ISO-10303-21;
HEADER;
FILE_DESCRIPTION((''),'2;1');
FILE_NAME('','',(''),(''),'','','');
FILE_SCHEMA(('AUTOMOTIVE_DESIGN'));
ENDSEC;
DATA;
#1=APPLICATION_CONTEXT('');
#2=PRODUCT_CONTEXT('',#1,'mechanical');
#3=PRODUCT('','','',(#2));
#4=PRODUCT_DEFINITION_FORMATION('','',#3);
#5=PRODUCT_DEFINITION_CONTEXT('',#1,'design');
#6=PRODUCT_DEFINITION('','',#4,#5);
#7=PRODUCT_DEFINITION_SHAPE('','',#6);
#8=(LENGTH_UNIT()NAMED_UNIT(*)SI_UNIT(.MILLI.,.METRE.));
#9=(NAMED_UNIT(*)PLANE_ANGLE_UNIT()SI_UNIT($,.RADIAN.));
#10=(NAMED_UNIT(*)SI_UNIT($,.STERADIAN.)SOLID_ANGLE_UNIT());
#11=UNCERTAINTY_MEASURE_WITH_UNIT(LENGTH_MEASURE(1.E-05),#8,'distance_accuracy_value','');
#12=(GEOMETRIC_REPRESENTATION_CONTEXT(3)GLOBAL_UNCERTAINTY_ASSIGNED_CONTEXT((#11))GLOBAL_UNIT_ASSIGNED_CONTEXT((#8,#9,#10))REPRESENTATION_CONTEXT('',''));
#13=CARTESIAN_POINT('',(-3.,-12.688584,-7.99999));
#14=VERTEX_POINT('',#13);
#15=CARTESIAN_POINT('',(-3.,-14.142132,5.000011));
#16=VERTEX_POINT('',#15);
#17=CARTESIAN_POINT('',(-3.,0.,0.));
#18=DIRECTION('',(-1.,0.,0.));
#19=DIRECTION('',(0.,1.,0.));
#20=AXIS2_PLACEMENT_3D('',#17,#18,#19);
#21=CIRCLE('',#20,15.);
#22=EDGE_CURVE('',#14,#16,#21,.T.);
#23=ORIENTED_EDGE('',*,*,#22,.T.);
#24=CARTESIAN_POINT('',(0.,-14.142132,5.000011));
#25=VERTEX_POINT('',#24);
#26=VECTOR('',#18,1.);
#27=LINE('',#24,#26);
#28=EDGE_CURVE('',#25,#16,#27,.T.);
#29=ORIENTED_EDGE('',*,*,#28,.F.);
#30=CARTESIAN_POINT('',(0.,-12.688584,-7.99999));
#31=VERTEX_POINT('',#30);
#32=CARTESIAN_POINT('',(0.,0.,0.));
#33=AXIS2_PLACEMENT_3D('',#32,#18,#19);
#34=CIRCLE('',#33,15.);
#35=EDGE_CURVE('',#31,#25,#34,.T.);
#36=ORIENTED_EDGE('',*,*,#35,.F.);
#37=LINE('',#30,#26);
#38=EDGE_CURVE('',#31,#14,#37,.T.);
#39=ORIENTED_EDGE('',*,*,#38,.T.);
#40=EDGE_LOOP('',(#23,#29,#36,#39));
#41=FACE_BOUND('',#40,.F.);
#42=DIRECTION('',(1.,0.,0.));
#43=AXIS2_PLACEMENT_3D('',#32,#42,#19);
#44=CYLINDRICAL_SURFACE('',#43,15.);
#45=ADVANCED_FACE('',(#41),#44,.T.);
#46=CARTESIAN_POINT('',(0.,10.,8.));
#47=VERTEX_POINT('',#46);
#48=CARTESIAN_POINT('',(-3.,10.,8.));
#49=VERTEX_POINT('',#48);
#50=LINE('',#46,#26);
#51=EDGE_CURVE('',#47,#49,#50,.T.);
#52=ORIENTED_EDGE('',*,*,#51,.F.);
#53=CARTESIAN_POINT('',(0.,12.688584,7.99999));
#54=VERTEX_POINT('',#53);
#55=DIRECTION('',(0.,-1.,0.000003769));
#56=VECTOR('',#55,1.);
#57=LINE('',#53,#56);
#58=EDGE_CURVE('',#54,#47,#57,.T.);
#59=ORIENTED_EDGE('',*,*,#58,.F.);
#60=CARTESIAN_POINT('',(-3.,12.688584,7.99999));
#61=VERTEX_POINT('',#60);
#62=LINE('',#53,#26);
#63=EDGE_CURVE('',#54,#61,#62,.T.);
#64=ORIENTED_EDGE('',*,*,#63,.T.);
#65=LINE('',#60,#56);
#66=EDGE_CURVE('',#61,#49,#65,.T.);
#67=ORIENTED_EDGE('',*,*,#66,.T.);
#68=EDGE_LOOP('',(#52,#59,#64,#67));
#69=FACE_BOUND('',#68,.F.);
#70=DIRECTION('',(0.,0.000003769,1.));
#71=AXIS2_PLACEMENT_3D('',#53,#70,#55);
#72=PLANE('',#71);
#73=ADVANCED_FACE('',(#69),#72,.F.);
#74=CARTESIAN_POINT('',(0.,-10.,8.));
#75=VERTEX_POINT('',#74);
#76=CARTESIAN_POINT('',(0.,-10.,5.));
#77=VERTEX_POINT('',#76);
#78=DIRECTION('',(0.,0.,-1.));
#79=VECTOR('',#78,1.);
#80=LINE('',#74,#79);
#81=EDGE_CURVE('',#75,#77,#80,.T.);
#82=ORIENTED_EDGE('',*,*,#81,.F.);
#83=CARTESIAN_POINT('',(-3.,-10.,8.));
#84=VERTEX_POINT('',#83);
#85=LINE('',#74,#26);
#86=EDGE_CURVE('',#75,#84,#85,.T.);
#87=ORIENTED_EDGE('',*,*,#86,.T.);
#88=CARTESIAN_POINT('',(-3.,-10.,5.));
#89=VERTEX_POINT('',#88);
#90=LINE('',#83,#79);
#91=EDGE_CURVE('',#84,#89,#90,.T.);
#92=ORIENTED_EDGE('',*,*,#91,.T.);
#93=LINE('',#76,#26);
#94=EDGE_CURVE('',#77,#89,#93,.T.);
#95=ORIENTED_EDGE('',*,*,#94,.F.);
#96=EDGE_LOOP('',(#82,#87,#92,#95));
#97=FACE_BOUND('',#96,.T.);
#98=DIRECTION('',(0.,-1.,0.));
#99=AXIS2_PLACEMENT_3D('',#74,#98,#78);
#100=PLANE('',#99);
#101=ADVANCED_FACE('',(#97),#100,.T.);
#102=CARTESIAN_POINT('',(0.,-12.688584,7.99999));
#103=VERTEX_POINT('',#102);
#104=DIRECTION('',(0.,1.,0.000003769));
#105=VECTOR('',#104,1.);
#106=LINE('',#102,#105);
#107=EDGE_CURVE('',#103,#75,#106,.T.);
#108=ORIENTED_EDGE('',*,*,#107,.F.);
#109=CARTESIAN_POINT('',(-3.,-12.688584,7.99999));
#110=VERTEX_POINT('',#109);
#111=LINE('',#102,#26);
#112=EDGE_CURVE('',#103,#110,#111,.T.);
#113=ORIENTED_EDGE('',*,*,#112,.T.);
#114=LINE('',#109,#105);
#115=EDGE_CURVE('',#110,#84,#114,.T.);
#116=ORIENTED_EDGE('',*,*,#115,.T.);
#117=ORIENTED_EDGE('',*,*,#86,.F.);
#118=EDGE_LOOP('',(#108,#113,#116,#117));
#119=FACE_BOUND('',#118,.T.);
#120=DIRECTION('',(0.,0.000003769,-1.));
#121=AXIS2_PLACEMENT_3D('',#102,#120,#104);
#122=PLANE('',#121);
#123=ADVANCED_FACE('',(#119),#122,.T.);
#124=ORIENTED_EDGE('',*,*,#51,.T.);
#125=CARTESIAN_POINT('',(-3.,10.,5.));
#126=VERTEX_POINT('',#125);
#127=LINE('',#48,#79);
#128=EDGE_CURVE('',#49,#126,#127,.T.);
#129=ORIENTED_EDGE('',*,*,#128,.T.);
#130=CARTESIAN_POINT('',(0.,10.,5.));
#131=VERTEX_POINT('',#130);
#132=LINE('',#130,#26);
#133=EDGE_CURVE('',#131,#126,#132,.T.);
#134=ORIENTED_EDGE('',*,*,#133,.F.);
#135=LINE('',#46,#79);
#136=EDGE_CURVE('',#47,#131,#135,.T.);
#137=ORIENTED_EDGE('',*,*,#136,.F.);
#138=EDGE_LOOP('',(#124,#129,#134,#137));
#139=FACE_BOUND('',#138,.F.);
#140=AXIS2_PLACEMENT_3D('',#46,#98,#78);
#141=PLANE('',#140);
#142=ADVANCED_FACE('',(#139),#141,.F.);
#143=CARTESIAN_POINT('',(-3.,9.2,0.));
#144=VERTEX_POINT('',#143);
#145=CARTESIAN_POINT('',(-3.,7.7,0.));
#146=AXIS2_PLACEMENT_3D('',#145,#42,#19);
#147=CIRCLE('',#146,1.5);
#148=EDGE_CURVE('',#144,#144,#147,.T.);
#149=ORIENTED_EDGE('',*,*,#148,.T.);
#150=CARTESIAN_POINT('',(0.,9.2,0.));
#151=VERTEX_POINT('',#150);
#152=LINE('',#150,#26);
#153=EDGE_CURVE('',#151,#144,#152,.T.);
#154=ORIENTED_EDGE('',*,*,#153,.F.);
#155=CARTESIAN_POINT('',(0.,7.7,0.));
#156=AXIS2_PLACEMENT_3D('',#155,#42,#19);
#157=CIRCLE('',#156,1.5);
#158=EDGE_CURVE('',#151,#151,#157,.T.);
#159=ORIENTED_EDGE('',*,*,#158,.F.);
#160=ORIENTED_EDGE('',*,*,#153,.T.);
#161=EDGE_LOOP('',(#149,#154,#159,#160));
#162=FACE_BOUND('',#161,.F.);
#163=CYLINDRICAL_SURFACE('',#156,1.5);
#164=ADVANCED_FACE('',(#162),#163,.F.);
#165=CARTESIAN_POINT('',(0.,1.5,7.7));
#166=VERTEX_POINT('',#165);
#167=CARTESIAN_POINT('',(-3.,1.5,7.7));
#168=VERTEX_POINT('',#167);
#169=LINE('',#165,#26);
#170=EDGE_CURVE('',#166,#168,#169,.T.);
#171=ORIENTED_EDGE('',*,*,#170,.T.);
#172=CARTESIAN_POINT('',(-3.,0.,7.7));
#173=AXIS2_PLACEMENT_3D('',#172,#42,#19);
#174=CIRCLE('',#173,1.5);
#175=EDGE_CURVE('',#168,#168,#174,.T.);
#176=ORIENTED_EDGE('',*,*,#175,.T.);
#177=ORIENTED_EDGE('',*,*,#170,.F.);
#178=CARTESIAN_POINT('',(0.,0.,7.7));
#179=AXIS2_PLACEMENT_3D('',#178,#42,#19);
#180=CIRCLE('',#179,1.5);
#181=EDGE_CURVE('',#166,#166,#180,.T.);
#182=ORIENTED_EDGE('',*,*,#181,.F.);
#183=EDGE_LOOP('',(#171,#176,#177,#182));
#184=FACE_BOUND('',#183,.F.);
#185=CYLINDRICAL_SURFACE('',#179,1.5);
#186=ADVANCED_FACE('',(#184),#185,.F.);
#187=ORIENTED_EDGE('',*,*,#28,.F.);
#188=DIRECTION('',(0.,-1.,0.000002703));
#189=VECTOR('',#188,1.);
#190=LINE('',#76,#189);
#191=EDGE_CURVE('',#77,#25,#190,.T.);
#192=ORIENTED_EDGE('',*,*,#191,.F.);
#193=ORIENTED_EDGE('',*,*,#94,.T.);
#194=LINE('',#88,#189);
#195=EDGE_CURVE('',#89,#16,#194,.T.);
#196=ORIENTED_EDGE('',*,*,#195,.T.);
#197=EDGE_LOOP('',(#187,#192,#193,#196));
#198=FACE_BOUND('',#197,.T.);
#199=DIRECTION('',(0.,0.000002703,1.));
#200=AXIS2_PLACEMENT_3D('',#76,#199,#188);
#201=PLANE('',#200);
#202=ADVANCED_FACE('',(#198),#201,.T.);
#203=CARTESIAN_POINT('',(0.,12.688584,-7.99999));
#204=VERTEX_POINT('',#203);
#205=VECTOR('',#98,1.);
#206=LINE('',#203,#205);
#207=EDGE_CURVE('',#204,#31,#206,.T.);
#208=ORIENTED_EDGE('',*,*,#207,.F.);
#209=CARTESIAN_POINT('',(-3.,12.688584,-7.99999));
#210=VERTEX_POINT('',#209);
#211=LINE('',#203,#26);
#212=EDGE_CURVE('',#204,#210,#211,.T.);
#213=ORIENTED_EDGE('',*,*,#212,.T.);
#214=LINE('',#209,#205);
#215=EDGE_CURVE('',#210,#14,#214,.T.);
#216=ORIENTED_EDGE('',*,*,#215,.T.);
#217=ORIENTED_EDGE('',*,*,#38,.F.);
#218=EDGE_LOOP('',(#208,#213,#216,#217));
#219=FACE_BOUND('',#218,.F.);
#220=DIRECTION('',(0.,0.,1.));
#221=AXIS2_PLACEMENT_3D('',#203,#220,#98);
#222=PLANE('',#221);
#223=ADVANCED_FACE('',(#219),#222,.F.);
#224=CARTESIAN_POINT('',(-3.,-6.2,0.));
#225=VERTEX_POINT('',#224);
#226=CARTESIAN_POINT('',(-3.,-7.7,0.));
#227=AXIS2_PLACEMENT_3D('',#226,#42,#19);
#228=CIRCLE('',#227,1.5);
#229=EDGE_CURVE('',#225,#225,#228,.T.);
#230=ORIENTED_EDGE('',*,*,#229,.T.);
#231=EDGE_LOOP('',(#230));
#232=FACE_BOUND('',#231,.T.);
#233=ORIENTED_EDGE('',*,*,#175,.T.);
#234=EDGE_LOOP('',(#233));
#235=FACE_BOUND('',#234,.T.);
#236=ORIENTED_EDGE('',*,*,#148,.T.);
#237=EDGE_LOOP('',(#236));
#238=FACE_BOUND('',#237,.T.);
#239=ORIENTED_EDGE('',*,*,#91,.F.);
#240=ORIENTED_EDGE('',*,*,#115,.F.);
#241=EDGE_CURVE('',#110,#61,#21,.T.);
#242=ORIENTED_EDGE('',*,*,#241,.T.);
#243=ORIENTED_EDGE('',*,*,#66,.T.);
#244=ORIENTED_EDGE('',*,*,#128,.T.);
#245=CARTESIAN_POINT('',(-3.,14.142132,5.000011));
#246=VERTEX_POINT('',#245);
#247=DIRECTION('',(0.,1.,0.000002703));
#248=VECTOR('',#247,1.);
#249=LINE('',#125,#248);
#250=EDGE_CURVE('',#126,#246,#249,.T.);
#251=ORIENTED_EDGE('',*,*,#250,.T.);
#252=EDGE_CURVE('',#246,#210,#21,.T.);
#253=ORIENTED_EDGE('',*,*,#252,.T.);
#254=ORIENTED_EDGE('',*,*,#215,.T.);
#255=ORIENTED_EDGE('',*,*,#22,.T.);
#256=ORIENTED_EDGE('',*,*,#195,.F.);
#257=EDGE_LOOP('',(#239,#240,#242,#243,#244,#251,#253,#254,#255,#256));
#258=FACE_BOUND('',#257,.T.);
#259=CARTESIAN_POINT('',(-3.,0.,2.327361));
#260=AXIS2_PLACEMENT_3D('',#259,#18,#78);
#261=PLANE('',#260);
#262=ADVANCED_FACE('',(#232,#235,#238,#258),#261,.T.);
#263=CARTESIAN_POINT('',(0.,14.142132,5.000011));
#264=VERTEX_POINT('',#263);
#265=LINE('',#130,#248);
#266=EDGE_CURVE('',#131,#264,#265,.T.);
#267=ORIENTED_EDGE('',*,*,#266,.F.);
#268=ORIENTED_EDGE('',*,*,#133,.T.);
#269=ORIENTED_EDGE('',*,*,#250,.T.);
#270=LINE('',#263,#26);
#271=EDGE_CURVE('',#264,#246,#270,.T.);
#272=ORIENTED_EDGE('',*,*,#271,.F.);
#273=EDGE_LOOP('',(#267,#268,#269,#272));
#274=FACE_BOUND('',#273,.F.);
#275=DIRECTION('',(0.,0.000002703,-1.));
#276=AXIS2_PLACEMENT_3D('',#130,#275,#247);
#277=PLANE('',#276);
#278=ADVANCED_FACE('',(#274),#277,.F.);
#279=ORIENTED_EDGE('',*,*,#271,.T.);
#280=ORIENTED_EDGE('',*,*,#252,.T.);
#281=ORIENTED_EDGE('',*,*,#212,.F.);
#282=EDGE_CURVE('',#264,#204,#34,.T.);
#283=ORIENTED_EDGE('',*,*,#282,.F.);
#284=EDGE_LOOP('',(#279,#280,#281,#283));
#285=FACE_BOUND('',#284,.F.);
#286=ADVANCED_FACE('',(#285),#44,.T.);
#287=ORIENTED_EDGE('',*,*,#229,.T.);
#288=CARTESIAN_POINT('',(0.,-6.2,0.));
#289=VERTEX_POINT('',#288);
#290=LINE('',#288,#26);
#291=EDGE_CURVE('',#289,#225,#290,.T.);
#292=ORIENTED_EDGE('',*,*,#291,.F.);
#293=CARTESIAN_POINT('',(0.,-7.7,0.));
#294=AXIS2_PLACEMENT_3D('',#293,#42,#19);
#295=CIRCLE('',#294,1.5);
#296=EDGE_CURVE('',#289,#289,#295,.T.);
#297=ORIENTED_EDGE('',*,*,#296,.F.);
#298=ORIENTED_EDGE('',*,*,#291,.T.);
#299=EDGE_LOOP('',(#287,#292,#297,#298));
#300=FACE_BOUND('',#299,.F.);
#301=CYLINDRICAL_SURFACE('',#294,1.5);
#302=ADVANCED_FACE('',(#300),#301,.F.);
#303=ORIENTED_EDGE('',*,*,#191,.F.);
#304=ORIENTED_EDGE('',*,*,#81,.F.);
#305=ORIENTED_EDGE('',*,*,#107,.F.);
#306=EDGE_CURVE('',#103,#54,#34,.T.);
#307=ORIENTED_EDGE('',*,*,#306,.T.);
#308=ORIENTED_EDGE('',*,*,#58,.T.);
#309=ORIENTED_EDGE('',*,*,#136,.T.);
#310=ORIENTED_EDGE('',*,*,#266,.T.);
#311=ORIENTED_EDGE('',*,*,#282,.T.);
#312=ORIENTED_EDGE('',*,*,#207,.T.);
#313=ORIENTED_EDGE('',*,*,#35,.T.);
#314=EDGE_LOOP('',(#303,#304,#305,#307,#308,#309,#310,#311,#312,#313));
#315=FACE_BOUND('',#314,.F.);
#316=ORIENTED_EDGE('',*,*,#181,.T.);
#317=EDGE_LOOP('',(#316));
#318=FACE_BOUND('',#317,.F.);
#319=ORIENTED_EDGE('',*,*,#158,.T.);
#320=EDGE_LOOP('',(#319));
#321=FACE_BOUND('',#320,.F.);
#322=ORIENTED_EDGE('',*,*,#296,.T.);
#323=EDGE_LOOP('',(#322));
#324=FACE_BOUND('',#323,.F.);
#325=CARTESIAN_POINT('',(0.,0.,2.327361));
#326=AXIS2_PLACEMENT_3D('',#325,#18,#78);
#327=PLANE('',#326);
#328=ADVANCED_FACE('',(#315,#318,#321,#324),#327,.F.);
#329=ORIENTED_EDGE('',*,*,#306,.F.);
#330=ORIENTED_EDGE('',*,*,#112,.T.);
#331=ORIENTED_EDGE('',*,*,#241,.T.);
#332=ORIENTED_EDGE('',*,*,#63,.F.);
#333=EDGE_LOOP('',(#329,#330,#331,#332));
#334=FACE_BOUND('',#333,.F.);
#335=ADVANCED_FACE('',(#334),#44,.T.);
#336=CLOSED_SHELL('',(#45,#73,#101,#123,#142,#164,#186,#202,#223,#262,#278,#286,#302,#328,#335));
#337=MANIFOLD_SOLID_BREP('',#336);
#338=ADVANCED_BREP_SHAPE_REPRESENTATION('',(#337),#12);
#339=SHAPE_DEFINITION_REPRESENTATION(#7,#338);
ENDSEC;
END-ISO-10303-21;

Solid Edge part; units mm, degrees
sketch "Sketch1" plane through (0, 0, 0) normal (1, 0, 0) x (0, 1, 0)
  line L0 (12.6886, 8) -> (10, 8)
  line L1 (10, 8) -> (10, 5)
  line L2 (10, 5) -> (14.1421, 5)
  arc A0 (14.1421, 5) -> (12.6886, -8) centre (0, 0) cw
  line L3 (12.6886, -8) -> (-12.6886, -8)
  arc A1 (-12.6886, -8) -> (-14.1421, 5) centre (0, 0) cw
  line L4 (-10, 5) -> (-14.1421, 5)
  line L5 (-10, 8) -> (-10, 5)
  line L6 (-12.6886, 8) -> (-10, 8)
  arc A2 (-12.6886, 8) -> (12.6886, 8) centre (0, 0) cw
  circle A3 centre (0, 7.7) radius 1.5
  circle A4 centre (7.7, 0) radius 1.5
  circle A5 centre (-7.7, 0) radius 1.5
  dimension "D1" = 30
  dimension "D2" = 3
  dimension "D3" = 20
  dimension "D4" = 5
  dimension "D5" = 13
  dimension "D6" = 3
  dimension "D7" = 7.7
  dimension "D8" = 7.7
extrude "Protrusion1" add sketch "Sketch1" against normal blind 3
properties material "Acier"
